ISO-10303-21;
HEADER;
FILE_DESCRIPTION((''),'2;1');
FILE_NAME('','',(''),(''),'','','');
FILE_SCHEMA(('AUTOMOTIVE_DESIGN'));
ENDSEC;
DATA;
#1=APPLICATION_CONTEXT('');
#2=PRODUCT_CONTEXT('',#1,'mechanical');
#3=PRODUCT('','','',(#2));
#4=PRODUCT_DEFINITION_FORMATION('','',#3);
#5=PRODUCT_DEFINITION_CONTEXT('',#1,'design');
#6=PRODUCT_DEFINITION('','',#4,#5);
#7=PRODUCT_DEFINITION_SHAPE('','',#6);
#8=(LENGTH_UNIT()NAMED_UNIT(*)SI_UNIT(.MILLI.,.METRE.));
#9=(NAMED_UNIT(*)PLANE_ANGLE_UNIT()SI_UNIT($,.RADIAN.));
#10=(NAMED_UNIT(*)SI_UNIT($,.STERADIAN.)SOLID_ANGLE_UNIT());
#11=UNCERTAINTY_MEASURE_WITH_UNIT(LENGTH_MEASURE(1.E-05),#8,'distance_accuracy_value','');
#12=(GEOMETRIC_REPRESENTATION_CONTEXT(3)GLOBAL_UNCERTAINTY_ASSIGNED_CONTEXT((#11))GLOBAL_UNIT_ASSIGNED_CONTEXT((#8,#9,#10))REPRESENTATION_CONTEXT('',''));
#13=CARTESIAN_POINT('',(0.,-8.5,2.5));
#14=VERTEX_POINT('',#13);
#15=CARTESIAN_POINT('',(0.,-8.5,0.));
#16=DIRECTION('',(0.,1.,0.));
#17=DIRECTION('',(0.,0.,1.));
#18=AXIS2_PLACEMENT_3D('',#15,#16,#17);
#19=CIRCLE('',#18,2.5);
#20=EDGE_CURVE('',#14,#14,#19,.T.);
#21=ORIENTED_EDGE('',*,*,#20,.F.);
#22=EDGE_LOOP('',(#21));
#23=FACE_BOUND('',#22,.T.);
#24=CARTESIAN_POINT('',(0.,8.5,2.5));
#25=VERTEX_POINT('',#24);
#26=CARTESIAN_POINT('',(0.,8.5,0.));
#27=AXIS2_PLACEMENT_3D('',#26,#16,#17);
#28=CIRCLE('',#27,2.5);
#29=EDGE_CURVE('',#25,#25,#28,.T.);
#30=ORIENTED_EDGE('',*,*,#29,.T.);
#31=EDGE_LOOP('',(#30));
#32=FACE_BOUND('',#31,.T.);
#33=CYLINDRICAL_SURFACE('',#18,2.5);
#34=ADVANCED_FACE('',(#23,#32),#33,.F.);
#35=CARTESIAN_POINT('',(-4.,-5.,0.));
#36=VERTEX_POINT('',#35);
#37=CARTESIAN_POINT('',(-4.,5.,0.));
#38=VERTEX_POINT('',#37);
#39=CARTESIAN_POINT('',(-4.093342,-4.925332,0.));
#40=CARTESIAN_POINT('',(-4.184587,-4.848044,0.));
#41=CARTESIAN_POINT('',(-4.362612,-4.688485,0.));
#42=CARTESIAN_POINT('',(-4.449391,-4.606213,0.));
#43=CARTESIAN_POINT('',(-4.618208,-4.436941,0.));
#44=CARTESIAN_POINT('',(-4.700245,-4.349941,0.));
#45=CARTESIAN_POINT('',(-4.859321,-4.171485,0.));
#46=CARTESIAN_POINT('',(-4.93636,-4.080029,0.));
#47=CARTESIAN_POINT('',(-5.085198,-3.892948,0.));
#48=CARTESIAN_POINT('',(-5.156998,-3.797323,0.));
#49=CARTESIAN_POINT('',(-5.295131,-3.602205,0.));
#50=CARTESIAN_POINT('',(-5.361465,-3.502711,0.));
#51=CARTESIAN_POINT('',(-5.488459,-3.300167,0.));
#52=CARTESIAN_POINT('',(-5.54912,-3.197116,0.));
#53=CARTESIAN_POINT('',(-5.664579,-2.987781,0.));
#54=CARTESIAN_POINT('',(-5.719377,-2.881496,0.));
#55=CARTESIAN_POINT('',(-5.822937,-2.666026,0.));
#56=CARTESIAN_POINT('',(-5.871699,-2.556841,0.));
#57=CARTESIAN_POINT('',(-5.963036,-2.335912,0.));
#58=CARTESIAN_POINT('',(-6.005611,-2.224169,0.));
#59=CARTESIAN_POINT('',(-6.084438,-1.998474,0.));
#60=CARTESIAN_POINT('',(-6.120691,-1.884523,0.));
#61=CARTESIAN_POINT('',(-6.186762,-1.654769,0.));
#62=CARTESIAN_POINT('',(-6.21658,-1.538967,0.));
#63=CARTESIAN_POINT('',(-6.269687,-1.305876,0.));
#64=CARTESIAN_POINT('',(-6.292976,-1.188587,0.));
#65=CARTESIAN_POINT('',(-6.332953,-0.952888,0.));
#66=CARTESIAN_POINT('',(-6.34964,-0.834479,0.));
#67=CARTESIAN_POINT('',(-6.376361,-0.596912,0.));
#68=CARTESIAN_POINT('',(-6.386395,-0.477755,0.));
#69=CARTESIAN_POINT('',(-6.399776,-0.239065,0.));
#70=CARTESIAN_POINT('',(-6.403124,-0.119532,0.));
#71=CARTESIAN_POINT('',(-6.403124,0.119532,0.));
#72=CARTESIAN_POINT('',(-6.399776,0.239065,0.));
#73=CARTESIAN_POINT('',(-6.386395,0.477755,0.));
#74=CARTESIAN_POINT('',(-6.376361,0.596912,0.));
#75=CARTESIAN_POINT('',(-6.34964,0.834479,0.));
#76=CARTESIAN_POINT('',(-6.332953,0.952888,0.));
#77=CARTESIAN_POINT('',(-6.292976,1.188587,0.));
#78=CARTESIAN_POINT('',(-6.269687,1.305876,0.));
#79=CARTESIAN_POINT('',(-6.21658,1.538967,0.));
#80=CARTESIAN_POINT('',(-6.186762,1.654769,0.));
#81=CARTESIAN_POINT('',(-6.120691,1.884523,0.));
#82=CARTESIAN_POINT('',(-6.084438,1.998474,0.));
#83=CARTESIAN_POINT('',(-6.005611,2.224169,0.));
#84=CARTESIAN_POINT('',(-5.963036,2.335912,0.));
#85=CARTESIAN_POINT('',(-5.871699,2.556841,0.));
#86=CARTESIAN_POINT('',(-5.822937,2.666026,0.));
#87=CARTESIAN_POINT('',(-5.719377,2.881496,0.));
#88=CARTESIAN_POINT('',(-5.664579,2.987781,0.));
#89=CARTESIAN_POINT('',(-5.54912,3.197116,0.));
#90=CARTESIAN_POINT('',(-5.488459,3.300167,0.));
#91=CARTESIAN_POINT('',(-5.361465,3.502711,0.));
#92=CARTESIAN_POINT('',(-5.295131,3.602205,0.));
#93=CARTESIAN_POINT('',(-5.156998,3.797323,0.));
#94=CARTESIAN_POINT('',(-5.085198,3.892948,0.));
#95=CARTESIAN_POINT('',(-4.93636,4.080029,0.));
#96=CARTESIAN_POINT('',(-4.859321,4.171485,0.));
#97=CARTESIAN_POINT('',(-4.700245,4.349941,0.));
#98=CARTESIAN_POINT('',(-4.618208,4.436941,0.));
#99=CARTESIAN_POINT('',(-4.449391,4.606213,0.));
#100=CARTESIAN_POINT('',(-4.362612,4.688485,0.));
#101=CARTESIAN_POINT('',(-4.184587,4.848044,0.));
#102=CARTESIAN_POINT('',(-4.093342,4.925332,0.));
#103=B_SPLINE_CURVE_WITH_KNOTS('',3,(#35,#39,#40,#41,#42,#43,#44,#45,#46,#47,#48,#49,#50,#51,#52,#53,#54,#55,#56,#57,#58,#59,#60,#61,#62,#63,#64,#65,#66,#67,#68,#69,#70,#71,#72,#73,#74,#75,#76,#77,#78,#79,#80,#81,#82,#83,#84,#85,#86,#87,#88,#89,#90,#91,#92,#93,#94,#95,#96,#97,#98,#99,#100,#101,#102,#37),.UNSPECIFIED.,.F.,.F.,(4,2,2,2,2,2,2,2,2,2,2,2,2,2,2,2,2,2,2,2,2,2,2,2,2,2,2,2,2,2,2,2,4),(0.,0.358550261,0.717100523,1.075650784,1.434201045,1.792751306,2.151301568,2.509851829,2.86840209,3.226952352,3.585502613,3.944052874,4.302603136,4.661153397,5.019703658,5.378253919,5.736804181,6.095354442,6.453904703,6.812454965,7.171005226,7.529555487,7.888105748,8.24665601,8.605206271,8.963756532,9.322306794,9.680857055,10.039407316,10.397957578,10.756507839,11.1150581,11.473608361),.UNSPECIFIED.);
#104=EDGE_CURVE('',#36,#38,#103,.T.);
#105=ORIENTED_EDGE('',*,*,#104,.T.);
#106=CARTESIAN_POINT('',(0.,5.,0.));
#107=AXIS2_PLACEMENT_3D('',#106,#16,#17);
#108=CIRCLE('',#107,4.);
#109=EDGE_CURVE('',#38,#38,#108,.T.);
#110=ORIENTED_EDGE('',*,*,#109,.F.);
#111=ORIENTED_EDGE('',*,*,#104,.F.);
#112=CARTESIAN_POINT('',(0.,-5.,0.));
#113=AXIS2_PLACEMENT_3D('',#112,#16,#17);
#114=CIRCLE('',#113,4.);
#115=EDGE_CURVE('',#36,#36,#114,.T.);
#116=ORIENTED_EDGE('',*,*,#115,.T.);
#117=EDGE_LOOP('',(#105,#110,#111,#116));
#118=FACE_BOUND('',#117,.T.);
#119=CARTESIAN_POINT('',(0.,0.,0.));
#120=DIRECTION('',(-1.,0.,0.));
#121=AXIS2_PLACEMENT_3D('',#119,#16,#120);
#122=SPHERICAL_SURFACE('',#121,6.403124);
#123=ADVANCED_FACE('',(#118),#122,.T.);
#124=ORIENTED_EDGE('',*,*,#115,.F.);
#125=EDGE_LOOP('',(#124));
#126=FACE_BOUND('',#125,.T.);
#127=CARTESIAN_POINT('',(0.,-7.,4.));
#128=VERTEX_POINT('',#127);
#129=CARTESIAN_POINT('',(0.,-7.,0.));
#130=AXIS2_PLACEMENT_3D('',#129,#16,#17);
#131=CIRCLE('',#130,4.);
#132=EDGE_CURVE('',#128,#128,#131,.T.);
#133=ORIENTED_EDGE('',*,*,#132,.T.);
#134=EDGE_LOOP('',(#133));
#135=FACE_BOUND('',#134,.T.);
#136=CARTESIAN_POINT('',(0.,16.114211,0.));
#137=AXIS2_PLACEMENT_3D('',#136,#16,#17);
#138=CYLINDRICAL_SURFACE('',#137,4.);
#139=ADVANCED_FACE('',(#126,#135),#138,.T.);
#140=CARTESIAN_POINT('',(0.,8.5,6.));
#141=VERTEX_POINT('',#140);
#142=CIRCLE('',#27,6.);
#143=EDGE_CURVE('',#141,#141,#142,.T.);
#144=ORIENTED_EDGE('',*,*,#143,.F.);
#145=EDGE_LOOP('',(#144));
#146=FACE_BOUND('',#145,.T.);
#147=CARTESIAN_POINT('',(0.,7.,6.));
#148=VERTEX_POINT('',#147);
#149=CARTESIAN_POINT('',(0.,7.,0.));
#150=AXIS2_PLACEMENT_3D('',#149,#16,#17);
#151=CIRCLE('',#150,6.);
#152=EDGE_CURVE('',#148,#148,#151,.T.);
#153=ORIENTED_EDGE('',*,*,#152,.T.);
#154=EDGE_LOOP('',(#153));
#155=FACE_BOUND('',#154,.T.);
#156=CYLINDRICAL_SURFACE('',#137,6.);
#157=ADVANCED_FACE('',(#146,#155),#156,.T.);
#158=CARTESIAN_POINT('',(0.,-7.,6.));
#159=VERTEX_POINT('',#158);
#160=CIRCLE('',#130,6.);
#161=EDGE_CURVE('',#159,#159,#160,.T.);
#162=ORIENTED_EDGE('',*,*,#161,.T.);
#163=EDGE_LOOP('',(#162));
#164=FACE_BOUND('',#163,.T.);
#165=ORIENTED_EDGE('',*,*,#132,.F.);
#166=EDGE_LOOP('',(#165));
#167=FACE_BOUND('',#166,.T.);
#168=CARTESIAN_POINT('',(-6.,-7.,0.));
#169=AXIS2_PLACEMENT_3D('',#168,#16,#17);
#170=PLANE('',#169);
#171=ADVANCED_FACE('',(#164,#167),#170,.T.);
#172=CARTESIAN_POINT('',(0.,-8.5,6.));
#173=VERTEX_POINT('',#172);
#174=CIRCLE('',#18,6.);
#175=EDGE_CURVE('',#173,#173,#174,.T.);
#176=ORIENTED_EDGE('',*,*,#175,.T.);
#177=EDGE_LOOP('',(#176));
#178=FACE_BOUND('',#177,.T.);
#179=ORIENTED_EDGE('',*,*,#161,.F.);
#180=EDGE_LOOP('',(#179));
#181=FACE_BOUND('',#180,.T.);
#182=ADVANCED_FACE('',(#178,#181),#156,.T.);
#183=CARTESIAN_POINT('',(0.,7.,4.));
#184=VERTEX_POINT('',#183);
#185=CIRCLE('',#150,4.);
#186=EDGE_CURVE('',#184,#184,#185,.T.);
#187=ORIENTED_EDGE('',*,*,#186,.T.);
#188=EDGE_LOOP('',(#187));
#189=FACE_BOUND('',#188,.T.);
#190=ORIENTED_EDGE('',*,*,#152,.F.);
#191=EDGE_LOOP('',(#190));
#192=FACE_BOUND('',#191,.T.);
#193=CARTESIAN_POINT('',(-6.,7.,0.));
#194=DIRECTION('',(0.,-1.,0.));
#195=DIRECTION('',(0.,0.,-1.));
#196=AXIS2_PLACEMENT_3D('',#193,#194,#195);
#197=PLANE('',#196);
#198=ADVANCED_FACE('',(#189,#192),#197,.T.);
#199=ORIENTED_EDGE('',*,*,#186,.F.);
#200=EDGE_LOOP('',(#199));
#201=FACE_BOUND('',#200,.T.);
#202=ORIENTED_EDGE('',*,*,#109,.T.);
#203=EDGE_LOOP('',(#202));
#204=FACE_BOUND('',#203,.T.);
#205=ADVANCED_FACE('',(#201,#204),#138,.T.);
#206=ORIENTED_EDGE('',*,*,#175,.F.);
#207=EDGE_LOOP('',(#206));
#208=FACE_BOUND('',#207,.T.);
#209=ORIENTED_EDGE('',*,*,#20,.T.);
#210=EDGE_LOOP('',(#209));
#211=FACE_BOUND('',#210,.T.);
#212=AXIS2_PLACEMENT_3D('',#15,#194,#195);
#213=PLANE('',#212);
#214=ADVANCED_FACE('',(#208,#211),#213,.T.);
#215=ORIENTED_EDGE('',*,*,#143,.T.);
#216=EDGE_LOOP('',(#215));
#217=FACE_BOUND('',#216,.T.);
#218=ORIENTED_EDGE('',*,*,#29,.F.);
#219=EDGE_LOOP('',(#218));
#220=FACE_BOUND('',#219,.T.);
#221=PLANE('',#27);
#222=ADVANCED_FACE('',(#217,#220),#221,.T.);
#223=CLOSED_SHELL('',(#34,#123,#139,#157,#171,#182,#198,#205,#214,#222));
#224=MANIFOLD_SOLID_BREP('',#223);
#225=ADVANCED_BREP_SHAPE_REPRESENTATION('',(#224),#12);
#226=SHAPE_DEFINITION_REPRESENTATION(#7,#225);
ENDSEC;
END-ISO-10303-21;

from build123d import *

# Parameters (mm, degrees)
SKETCH2_R          = 2.5
CUT_EXTRUDE1_DEPTH = 20.261360284


with BuildPart() as part:
    # Sketch1 → Revolve1 (revolve)
    with BuildSketch(Plane.XY, mode=Mode.PRIVATE) as revolve1_sk:
        with BuildLine():
            Line((-6, 7), (-4, 7))
            Line((-4, 7), (-4, 5))
            ThreePointArc((-4, 5), (-6.403124237, 0), (-4, -5))
            Line((-4, -5), (-4, -7))
            Line((-4, -7), (-6, -7))
            Line((-6, -7), (-6, -8.5))
            Line((-6, -8.5), (0, -8.5))
            Line((0, -8.5), (0, 8.5))
            Line((0, 8.5), (-6, 8.5))
            Line((-6, 8.5), (-6, 7))
        make_face()
    revolve(revolve1_sk.sketch.rotate(Axis((0, 16.114211291, 0), (0, -1, 0)), 270), axis=Axis((0, 16.114211291, 0), (0, -1, 0)))

    # Sketch2 → Cut-Extrude1 (cut, through all)
    with BuildSketch(Plane(origin=(0, 8.5, 0), x_dir=(1, 0, 0), z_dir=(0, 1, 0))):
        with Locations(Location((0, 0, 0), (0, 0, 270))):
            Circle(SKETCH2_R)
    extrude(amount=-CUT_EXTRUDE1_DEPTH, mode=Mode.SUBTRACT)


solid = part.part
